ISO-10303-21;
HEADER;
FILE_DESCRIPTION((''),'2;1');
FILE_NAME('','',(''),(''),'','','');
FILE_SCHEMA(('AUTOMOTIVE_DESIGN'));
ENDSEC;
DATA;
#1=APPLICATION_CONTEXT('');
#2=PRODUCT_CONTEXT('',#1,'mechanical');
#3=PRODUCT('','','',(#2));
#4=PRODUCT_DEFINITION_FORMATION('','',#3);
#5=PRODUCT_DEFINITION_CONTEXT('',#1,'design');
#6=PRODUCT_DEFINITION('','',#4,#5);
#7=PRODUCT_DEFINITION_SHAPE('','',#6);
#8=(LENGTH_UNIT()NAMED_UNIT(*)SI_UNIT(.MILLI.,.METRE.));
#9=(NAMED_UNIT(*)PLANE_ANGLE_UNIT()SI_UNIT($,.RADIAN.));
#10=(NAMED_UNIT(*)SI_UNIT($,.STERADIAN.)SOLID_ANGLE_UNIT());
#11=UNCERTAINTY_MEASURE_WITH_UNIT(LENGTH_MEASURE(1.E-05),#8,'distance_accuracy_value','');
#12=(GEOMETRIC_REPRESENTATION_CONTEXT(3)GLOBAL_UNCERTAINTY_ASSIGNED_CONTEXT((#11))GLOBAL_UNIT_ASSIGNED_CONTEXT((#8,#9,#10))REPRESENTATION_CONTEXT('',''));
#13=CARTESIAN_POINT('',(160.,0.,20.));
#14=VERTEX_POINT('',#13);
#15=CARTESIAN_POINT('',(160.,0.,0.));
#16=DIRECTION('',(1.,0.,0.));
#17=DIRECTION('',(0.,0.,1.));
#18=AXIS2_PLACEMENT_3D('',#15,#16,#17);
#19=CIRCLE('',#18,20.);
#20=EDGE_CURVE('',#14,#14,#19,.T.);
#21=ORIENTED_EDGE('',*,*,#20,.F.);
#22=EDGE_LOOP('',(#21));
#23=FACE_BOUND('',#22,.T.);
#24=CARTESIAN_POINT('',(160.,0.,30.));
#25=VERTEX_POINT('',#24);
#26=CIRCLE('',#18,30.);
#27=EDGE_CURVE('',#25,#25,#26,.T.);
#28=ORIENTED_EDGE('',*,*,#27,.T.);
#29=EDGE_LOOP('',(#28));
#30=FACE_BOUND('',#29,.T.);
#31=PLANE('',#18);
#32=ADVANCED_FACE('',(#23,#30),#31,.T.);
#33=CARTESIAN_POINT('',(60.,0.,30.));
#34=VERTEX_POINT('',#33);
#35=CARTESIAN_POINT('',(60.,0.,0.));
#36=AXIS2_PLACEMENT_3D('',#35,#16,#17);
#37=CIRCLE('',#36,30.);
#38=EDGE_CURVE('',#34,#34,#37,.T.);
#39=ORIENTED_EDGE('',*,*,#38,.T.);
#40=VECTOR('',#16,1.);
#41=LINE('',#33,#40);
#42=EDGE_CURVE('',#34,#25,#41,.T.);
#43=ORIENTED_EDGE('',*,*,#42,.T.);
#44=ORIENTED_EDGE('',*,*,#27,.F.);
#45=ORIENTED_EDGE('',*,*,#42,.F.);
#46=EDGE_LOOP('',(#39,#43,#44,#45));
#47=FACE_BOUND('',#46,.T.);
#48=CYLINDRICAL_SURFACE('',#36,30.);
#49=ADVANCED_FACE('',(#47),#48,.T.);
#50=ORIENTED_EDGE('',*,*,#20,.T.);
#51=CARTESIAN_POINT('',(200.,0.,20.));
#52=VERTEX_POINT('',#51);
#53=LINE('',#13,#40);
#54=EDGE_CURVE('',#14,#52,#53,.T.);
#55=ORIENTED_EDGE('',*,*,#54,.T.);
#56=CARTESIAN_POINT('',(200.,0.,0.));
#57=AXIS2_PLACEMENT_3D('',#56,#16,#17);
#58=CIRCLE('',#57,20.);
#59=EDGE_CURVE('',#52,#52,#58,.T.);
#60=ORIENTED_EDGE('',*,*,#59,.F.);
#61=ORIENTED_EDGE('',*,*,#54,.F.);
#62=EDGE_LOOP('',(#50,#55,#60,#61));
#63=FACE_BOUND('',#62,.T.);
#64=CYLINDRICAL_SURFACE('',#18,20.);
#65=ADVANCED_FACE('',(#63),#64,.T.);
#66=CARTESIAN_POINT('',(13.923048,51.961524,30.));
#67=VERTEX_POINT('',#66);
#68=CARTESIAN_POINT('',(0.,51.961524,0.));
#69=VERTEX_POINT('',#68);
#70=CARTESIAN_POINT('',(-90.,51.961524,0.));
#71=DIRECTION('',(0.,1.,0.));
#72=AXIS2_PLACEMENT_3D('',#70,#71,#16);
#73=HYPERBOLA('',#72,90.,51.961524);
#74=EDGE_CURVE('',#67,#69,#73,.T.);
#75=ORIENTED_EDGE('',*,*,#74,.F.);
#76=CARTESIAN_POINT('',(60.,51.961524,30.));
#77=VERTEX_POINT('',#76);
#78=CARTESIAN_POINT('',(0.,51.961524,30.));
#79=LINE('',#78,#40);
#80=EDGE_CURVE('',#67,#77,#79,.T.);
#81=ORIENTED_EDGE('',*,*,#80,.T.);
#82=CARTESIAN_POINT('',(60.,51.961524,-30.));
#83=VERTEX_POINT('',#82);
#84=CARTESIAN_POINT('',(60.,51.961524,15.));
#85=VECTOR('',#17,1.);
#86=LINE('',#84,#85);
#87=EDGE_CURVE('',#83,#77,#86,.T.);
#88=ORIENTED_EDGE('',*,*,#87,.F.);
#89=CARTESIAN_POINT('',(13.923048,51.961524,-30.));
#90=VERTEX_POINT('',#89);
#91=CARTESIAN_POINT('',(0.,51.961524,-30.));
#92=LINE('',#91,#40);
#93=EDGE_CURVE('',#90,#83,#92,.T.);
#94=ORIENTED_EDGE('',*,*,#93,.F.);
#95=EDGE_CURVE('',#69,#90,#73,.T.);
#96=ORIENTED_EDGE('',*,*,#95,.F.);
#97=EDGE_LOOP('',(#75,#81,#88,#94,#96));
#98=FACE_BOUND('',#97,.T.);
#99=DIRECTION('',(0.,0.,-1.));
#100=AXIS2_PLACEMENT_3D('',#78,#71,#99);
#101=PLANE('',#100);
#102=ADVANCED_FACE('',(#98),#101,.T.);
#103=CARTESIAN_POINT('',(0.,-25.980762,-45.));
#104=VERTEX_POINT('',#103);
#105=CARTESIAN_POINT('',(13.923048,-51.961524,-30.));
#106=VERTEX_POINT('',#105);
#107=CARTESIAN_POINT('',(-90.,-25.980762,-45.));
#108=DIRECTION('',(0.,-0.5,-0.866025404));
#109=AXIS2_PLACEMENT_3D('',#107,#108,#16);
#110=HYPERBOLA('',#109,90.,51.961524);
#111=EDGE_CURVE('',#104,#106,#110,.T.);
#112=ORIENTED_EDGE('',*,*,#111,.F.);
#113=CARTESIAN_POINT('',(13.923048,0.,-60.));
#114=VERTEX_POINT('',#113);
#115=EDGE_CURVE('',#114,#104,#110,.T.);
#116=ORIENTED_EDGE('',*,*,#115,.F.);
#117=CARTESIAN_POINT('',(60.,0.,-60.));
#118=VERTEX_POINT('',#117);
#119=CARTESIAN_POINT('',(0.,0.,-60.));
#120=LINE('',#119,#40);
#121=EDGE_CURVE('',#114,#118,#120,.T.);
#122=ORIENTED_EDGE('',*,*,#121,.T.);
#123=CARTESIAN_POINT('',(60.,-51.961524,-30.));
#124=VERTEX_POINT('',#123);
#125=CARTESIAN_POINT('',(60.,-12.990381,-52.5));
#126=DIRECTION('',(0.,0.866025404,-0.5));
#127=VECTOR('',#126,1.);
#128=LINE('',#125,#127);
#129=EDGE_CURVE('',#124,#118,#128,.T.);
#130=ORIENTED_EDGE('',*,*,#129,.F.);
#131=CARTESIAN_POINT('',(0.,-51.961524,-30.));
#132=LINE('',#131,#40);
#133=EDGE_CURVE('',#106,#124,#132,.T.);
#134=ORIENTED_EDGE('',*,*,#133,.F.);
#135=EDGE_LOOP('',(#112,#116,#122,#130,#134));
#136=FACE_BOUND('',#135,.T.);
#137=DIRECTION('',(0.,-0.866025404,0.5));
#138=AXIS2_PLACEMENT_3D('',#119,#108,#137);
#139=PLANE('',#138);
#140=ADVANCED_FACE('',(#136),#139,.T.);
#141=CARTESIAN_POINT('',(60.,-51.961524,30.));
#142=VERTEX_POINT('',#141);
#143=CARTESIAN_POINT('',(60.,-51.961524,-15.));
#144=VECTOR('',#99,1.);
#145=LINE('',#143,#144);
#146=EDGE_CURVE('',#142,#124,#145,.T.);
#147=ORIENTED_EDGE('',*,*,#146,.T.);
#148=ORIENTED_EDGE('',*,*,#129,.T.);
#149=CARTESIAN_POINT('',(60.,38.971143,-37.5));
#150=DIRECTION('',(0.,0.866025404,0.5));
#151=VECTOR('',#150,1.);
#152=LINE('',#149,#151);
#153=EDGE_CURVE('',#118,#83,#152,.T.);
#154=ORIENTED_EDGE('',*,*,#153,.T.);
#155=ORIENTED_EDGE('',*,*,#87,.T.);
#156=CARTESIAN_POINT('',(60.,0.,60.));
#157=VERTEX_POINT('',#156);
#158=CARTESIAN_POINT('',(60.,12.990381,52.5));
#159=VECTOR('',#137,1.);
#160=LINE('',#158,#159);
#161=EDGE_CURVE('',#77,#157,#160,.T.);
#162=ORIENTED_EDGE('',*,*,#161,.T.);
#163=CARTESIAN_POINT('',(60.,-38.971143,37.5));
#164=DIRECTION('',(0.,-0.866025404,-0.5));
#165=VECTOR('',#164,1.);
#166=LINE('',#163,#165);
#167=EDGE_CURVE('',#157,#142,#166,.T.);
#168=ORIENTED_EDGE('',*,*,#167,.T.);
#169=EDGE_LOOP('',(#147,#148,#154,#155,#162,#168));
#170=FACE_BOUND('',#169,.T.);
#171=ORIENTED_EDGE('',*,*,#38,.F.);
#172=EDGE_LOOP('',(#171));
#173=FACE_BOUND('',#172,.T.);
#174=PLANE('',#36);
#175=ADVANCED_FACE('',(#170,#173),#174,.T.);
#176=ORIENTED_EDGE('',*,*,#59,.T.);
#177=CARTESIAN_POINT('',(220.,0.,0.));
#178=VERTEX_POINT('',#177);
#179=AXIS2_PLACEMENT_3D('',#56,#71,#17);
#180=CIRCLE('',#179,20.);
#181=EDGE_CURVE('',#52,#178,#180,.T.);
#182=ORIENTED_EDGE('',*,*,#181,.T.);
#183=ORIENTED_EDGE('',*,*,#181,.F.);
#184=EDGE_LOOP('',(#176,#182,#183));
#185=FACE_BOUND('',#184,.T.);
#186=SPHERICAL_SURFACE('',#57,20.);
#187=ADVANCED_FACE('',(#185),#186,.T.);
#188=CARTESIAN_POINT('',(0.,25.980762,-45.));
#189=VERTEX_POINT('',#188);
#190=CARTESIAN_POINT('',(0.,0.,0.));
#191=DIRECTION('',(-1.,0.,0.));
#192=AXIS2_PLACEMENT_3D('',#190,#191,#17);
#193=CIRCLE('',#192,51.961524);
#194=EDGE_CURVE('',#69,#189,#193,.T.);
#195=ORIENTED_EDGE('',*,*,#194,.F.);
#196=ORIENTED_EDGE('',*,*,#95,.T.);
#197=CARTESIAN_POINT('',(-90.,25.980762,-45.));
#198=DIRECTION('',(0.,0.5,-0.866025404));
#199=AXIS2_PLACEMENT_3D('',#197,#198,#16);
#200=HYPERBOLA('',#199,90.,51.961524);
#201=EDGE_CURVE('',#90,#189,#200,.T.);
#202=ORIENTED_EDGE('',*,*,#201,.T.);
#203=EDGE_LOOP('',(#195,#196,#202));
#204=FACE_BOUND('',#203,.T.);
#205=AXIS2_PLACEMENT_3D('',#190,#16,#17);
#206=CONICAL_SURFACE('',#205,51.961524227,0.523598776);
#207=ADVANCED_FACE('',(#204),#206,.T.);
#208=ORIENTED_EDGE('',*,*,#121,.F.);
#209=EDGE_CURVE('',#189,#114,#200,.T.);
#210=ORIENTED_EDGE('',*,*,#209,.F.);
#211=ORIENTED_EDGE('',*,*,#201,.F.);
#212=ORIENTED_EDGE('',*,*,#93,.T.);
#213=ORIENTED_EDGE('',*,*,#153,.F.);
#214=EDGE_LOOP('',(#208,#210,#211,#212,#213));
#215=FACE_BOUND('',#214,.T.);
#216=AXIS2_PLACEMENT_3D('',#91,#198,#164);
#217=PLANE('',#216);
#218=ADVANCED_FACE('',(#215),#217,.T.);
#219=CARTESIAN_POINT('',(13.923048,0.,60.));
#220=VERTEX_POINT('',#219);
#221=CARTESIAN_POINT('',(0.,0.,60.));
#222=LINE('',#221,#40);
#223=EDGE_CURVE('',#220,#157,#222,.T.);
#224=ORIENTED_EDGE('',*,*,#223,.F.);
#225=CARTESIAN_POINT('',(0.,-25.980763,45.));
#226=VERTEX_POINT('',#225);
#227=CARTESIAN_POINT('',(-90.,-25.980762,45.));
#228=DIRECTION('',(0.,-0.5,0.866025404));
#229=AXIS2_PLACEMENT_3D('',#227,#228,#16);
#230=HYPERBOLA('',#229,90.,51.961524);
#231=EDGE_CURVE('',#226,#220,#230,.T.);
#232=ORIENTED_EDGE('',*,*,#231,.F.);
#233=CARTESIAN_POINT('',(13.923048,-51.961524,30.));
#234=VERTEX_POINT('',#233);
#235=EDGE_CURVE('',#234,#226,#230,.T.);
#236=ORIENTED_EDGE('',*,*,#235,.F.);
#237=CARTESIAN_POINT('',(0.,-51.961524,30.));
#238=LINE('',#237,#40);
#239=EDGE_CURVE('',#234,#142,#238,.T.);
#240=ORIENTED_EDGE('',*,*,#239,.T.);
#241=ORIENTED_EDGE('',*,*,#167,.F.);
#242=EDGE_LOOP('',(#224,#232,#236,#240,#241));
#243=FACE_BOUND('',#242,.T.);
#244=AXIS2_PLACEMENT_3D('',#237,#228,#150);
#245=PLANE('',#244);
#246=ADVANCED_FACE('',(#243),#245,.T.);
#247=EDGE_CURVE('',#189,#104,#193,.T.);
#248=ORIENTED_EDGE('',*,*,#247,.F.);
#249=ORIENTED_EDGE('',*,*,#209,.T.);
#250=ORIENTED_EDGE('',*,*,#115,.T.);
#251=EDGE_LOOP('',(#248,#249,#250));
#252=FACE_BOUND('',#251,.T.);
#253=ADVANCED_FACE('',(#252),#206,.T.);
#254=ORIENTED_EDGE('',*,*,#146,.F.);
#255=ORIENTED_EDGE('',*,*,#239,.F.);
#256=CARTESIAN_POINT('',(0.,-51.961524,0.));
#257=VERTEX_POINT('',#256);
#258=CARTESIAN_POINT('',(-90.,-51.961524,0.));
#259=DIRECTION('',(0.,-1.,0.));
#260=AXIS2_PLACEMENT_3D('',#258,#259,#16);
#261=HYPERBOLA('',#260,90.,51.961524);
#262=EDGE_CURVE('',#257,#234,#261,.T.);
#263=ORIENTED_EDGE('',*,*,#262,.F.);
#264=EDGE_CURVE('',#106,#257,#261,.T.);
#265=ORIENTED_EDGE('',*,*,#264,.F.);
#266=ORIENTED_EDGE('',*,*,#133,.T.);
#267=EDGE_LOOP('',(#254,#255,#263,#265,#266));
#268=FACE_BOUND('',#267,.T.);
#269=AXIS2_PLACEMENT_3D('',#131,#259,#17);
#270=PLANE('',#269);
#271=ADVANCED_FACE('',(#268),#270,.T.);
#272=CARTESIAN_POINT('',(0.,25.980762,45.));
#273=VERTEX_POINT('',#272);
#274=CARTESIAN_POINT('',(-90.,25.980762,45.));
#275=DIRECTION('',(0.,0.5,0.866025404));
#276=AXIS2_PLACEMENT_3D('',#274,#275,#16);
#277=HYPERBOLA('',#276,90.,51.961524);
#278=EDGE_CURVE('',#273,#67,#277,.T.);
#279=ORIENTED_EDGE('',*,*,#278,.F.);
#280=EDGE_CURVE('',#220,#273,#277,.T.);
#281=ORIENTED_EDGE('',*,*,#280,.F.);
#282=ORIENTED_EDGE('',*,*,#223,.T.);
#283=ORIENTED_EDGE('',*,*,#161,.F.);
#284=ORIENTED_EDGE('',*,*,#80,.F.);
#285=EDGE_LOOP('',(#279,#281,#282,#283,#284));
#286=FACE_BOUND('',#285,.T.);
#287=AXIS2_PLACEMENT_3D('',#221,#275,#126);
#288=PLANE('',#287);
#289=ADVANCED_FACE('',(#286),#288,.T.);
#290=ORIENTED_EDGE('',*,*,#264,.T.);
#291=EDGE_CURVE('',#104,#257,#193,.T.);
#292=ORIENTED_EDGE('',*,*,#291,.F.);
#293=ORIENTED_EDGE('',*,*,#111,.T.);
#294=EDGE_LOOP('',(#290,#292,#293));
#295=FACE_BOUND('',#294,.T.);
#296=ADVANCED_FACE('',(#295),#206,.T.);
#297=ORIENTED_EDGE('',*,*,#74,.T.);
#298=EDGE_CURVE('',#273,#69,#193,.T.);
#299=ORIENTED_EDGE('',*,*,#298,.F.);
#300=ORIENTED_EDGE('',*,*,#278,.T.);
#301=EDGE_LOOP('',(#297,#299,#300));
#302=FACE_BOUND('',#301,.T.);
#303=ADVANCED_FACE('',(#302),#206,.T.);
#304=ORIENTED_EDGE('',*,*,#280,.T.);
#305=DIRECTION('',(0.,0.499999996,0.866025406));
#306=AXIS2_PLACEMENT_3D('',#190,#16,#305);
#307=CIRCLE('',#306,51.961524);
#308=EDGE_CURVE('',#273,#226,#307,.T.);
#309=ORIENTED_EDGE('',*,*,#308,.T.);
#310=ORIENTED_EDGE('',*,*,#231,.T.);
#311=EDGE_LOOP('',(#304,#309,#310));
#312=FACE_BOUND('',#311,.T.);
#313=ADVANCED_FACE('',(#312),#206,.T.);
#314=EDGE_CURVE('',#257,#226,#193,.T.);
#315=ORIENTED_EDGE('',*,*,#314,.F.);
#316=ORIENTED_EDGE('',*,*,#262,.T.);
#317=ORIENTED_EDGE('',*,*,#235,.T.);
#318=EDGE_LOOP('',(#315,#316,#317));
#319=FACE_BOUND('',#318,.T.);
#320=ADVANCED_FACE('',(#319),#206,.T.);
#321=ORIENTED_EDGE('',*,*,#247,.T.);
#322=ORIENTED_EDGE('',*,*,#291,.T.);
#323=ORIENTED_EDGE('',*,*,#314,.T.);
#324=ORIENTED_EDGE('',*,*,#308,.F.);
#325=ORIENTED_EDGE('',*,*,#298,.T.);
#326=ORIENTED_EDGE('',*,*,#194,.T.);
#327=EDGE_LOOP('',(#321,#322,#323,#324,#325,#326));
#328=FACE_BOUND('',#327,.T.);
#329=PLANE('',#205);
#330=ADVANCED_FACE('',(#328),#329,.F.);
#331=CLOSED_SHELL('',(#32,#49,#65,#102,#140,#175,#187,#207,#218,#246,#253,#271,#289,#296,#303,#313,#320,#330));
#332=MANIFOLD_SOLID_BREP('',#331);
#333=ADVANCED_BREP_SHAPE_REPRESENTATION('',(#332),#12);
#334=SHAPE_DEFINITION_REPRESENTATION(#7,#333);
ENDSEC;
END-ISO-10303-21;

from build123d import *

# Parameters (mm, degrees)
DOME1_FACE_RADIUS  = 20
DOME1_HEIGHT       = 20
SKETCH3_OUTSIDE_W  = 177.57
SKETCH3_OUTSIDE_H  = 177.57
CUT_EXTRUDE4_DEPTH = 236.796522451
SKETCH5_OUTSIDE_W  = 447.476
SKETCH5_OUTSIDE_H  = 431.4
SKETCH5_OUTSIDE_R  = 51.961524227
CUT_EXTRUDE5_DEPTH = 234.880311271
CUT_EXTRUDE5_DRAFT = -30


with BuildPart() as part:
    # Sketch1 → Revolve2 (revolve)
    with BuildSketch(Plane(origin=(0, 0, 0), x_dir=(1, 0, 0), z_dir=(0, 1, 0)), mode=Mode.PRIVATE) as revolve2_sk:
        Polygon((0, 0), (0, 60), (60, 60), (60, 30), (160, 30), (160, 20), (200, 20), (200, 0), align=None)
    revolve(revolve2_sk.sketch.rotate(Axis((0, 0, 0), (1, 0, 0)), 180), axis=Axis((0, 0, 0), (1, 0, 0)))

    # Dome1: a dome of height H over a round flat face of radius A is a cap of a sphere of radius (A * A + H * H) / (2 * H)
    dome1_r = (DOME1_FACE_RADIUS * DOME1_FACE_RADIUS + DOME1_HEIGHT * DOME1_HEIGHT) / (2 * DOME1_HEIGHT)
    dome1_base = Plane((200, 0, 0), z_dir=(1, 0, 0))
    with Locations(dome1_base.offset(DOME1_HEIGHT - dome1_r)):
        dome1_ball = Sphere(dome1_r, mode=Mode.PRIVATE)
    add(split(dome1_ball, bisect_by=dome1_base, keep=Keep.TOP, mode=Mode.PRIVATE))

    # Sketch3 outside → Cut-Extrude4 (cut, through all)
    with BuildSketch(Plane.ZY):
        Rectangle(SKETCH3_OUTSIDE_W, SKETCH3_OUTSIDE_H)
        Polygon((60, 0), (30, 51.961524227), (-30, 51.961524227), (-60, 0), (-30, -51.961524227), (30, -51.961524227), align=None, mode=Mode.SUBTRACT)
    extrude(amount=-CUT_EXTRUDE4_DEPTH, mode=Mode.SUBTRACT)


with BuildPart() as cut_extrude5_tool:
    # Sketch5 outside → Cut-Extrude5 (with draft: the straight prism first)
    with BuildSketch(Plane.ZY):
        Rectangle(SKETCH5_OUTSIDE_W, SKETCH5_OUTSIDE_H)
        Circle(SKETCH5_OUTSIDE_R, mode=Mode.SUBTRACT)
    extrude(amount=-CUT_EXTRUDE5_DEPTH)
    # Cut-Extrude5: the draft: its side faces are tilted about the plane it starts from
    cut_extrude5_sides = [cut_extrude5_tool.faces().sort_by_distance(p)[0] for p in [
        (117.440155635, -215.7, 0),
        (117.440155635, 0, 223.738),
        (117.440155635, 215.7, 0),
        (117.440155635, 0, -223.738),
        (117.440155635, 0, -51.961524227),
    ]]
    draft(cut_extrude5_sides, Plane.ZY, CUT_EXTRUDE5_DRAFT)


with BuildPart() as part_1:
    add(part.part)

    # Cut-Extrude5: cut by cut_extrude5_tool
    add(cut_extrude5_tool.part, mode=Mode.SUBTRACT)


solid = part_1.part
